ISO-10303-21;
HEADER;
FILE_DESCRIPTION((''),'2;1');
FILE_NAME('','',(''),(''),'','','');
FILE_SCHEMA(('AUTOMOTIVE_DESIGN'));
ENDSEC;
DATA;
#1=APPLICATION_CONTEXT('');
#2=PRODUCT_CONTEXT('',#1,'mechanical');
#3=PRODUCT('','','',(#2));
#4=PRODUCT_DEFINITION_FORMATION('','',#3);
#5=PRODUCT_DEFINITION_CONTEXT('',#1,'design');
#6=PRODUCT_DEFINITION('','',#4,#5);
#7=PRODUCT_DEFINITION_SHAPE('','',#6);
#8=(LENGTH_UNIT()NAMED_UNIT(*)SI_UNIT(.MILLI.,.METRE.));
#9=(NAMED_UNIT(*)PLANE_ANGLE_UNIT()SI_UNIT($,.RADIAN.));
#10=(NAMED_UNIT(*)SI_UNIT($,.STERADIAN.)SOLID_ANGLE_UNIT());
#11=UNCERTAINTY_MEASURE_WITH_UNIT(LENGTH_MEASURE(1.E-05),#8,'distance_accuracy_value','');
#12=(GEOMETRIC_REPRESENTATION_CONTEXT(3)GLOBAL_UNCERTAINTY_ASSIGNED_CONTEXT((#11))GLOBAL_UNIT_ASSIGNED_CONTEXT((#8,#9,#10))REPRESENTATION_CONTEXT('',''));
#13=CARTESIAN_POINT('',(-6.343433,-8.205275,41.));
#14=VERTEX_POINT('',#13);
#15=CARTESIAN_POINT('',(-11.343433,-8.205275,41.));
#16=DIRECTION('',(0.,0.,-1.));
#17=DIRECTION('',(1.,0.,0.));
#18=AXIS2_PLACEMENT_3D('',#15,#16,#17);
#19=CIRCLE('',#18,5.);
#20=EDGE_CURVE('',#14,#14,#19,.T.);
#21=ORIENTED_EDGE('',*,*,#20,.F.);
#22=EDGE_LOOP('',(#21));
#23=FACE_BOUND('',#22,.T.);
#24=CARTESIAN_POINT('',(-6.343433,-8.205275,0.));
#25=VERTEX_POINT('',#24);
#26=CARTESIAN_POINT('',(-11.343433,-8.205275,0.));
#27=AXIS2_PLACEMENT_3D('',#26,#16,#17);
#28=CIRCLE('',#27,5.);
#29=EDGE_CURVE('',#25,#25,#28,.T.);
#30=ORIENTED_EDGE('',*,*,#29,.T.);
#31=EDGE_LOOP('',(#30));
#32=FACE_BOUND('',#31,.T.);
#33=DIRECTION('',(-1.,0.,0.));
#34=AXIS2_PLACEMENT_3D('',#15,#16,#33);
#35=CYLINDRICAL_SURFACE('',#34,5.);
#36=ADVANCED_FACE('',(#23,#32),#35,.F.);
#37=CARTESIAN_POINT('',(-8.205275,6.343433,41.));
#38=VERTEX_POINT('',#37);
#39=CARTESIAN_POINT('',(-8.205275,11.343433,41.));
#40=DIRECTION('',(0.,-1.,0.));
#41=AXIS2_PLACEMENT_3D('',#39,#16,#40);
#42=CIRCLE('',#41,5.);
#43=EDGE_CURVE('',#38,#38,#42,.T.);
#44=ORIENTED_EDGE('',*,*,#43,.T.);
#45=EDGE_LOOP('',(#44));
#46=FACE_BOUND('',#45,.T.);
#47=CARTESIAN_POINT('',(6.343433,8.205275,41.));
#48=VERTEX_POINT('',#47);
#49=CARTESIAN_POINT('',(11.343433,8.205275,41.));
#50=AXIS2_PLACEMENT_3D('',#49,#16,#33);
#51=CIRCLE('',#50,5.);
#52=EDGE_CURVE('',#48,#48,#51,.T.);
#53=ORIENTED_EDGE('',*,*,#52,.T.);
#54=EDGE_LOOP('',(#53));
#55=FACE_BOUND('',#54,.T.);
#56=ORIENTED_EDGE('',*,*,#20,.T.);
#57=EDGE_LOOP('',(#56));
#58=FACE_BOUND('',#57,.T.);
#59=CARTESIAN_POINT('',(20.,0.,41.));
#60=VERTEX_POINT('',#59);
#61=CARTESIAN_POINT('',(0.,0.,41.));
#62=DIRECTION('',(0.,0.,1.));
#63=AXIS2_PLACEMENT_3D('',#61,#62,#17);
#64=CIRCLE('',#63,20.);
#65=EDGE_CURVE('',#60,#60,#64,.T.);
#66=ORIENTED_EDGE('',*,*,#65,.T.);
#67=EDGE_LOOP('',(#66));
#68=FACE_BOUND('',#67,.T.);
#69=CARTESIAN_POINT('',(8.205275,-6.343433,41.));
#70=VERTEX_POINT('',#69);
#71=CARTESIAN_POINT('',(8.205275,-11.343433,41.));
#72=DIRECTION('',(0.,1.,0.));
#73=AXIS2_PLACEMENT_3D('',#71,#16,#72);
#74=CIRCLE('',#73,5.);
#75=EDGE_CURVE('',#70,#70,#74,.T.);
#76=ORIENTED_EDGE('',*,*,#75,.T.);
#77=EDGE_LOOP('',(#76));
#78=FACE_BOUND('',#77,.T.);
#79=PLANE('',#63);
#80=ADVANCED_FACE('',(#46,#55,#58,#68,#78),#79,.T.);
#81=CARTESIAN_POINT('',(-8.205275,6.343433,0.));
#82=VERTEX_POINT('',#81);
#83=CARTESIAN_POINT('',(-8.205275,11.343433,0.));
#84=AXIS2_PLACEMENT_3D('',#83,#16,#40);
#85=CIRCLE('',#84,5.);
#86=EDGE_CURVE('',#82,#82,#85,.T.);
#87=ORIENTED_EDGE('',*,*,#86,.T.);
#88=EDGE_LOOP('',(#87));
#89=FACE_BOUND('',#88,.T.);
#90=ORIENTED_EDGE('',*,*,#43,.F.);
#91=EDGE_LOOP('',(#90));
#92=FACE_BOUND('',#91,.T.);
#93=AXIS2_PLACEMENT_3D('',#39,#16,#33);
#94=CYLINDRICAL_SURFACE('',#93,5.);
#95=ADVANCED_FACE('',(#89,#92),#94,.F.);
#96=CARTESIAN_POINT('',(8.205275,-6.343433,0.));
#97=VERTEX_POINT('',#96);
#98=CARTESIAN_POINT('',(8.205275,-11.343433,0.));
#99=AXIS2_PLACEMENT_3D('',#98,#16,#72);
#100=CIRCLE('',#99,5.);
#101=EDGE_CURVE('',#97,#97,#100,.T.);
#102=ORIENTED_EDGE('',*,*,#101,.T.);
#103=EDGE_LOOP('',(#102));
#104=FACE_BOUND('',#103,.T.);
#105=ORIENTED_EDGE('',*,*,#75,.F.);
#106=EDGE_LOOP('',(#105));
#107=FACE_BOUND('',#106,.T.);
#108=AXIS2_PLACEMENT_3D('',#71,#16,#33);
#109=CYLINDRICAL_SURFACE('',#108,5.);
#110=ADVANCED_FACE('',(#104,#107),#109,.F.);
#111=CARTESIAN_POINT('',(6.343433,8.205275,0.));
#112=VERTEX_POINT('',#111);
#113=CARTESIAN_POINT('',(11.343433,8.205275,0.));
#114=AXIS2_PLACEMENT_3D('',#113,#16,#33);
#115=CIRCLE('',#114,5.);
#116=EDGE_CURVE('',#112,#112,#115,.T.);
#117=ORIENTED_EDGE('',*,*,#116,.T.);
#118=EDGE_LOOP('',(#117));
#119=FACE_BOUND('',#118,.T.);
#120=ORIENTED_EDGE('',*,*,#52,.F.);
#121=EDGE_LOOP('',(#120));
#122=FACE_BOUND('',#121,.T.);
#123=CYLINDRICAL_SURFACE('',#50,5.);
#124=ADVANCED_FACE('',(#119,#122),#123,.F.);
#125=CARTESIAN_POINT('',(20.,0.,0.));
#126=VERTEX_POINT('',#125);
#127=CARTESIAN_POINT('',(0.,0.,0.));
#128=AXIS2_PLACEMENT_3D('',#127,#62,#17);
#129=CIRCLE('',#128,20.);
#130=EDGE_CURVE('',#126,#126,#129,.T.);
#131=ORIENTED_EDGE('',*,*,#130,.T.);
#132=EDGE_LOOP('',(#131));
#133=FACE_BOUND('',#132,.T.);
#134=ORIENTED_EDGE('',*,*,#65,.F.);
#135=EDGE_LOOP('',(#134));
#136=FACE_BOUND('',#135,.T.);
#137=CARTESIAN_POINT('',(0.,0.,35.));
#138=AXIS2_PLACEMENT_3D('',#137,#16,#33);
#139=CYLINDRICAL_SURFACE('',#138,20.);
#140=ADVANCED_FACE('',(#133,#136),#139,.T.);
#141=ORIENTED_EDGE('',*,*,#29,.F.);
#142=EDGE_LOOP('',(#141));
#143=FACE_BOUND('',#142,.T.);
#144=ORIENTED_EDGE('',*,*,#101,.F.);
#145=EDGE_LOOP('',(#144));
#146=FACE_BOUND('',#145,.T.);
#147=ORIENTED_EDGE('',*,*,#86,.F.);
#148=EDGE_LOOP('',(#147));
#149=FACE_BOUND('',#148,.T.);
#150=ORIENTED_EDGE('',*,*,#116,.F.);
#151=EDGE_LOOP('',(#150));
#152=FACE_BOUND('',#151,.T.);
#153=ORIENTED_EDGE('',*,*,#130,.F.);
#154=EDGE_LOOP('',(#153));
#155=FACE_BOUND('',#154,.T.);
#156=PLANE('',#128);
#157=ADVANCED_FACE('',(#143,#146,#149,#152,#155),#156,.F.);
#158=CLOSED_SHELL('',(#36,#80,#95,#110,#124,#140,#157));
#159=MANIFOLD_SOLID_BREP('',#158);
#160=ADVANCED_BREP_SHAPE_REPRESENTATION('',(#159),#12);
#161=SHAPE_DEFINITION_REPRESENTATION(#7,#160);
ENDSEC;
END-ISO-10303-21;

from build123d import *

# Parameters (mm, degrees)
SKETCH2_R           = 20
BOSS_EXTRUDE1_DEPTH = 35
SKETCH5_R           = 20
BOSS_EXTRUDE4_DEPTH = 6
SKETCH6_R           = 5
CUT_EXTRUDE1_DEPTH  = 50.809637622
CIRPATTERN2_COUNT   = 4


with BuildPart() as part:
    # Sketch2 → Boss-Extrude1 (new body)
    with BuildSketch(Plane.XY):
        Circle(SKETCH2_R)
    extrude(amount=BOSS_EXTRUDE1_DEPTH)

    # Sketch5 → Boss-Extrude4 (add)
    with BuildSketch(Plane.XY.offset(35)):
        Circle(SKETCH5_R)
    extrude(amount=BOSS_EXTRUDE4_DEPTH)

    # Sketch6 → Cut-Extrude1 (cut, through all)
    with BuildSketch(Plane(origin=(0, 0, 0), x_dir=(-1, 0, 0), z_dir=(0, 0, -1))):
        with Locations((-11.343432643, 8.205274881)):
            Circle(SKETCH6_R)
    cut_extrude1 = extrude(amount=-CUT_EXTRUDE1_DEPTH, mode=Mode.SUBTRACT)

    # CirPattern2: Cut-Extrude1 ×4 about axis
    cirpattern2_axis = Axis((0, 0, 0), (0, 0, 1))
    for i in range(1, CIRPATTERN2_COUNT):
        add(cut_extrude1.rotate(cirpattern2_axis, i * 360 / CIRPATTERN2_COUNT), mode=Mode.SUBTRACT)


solid = part.part
